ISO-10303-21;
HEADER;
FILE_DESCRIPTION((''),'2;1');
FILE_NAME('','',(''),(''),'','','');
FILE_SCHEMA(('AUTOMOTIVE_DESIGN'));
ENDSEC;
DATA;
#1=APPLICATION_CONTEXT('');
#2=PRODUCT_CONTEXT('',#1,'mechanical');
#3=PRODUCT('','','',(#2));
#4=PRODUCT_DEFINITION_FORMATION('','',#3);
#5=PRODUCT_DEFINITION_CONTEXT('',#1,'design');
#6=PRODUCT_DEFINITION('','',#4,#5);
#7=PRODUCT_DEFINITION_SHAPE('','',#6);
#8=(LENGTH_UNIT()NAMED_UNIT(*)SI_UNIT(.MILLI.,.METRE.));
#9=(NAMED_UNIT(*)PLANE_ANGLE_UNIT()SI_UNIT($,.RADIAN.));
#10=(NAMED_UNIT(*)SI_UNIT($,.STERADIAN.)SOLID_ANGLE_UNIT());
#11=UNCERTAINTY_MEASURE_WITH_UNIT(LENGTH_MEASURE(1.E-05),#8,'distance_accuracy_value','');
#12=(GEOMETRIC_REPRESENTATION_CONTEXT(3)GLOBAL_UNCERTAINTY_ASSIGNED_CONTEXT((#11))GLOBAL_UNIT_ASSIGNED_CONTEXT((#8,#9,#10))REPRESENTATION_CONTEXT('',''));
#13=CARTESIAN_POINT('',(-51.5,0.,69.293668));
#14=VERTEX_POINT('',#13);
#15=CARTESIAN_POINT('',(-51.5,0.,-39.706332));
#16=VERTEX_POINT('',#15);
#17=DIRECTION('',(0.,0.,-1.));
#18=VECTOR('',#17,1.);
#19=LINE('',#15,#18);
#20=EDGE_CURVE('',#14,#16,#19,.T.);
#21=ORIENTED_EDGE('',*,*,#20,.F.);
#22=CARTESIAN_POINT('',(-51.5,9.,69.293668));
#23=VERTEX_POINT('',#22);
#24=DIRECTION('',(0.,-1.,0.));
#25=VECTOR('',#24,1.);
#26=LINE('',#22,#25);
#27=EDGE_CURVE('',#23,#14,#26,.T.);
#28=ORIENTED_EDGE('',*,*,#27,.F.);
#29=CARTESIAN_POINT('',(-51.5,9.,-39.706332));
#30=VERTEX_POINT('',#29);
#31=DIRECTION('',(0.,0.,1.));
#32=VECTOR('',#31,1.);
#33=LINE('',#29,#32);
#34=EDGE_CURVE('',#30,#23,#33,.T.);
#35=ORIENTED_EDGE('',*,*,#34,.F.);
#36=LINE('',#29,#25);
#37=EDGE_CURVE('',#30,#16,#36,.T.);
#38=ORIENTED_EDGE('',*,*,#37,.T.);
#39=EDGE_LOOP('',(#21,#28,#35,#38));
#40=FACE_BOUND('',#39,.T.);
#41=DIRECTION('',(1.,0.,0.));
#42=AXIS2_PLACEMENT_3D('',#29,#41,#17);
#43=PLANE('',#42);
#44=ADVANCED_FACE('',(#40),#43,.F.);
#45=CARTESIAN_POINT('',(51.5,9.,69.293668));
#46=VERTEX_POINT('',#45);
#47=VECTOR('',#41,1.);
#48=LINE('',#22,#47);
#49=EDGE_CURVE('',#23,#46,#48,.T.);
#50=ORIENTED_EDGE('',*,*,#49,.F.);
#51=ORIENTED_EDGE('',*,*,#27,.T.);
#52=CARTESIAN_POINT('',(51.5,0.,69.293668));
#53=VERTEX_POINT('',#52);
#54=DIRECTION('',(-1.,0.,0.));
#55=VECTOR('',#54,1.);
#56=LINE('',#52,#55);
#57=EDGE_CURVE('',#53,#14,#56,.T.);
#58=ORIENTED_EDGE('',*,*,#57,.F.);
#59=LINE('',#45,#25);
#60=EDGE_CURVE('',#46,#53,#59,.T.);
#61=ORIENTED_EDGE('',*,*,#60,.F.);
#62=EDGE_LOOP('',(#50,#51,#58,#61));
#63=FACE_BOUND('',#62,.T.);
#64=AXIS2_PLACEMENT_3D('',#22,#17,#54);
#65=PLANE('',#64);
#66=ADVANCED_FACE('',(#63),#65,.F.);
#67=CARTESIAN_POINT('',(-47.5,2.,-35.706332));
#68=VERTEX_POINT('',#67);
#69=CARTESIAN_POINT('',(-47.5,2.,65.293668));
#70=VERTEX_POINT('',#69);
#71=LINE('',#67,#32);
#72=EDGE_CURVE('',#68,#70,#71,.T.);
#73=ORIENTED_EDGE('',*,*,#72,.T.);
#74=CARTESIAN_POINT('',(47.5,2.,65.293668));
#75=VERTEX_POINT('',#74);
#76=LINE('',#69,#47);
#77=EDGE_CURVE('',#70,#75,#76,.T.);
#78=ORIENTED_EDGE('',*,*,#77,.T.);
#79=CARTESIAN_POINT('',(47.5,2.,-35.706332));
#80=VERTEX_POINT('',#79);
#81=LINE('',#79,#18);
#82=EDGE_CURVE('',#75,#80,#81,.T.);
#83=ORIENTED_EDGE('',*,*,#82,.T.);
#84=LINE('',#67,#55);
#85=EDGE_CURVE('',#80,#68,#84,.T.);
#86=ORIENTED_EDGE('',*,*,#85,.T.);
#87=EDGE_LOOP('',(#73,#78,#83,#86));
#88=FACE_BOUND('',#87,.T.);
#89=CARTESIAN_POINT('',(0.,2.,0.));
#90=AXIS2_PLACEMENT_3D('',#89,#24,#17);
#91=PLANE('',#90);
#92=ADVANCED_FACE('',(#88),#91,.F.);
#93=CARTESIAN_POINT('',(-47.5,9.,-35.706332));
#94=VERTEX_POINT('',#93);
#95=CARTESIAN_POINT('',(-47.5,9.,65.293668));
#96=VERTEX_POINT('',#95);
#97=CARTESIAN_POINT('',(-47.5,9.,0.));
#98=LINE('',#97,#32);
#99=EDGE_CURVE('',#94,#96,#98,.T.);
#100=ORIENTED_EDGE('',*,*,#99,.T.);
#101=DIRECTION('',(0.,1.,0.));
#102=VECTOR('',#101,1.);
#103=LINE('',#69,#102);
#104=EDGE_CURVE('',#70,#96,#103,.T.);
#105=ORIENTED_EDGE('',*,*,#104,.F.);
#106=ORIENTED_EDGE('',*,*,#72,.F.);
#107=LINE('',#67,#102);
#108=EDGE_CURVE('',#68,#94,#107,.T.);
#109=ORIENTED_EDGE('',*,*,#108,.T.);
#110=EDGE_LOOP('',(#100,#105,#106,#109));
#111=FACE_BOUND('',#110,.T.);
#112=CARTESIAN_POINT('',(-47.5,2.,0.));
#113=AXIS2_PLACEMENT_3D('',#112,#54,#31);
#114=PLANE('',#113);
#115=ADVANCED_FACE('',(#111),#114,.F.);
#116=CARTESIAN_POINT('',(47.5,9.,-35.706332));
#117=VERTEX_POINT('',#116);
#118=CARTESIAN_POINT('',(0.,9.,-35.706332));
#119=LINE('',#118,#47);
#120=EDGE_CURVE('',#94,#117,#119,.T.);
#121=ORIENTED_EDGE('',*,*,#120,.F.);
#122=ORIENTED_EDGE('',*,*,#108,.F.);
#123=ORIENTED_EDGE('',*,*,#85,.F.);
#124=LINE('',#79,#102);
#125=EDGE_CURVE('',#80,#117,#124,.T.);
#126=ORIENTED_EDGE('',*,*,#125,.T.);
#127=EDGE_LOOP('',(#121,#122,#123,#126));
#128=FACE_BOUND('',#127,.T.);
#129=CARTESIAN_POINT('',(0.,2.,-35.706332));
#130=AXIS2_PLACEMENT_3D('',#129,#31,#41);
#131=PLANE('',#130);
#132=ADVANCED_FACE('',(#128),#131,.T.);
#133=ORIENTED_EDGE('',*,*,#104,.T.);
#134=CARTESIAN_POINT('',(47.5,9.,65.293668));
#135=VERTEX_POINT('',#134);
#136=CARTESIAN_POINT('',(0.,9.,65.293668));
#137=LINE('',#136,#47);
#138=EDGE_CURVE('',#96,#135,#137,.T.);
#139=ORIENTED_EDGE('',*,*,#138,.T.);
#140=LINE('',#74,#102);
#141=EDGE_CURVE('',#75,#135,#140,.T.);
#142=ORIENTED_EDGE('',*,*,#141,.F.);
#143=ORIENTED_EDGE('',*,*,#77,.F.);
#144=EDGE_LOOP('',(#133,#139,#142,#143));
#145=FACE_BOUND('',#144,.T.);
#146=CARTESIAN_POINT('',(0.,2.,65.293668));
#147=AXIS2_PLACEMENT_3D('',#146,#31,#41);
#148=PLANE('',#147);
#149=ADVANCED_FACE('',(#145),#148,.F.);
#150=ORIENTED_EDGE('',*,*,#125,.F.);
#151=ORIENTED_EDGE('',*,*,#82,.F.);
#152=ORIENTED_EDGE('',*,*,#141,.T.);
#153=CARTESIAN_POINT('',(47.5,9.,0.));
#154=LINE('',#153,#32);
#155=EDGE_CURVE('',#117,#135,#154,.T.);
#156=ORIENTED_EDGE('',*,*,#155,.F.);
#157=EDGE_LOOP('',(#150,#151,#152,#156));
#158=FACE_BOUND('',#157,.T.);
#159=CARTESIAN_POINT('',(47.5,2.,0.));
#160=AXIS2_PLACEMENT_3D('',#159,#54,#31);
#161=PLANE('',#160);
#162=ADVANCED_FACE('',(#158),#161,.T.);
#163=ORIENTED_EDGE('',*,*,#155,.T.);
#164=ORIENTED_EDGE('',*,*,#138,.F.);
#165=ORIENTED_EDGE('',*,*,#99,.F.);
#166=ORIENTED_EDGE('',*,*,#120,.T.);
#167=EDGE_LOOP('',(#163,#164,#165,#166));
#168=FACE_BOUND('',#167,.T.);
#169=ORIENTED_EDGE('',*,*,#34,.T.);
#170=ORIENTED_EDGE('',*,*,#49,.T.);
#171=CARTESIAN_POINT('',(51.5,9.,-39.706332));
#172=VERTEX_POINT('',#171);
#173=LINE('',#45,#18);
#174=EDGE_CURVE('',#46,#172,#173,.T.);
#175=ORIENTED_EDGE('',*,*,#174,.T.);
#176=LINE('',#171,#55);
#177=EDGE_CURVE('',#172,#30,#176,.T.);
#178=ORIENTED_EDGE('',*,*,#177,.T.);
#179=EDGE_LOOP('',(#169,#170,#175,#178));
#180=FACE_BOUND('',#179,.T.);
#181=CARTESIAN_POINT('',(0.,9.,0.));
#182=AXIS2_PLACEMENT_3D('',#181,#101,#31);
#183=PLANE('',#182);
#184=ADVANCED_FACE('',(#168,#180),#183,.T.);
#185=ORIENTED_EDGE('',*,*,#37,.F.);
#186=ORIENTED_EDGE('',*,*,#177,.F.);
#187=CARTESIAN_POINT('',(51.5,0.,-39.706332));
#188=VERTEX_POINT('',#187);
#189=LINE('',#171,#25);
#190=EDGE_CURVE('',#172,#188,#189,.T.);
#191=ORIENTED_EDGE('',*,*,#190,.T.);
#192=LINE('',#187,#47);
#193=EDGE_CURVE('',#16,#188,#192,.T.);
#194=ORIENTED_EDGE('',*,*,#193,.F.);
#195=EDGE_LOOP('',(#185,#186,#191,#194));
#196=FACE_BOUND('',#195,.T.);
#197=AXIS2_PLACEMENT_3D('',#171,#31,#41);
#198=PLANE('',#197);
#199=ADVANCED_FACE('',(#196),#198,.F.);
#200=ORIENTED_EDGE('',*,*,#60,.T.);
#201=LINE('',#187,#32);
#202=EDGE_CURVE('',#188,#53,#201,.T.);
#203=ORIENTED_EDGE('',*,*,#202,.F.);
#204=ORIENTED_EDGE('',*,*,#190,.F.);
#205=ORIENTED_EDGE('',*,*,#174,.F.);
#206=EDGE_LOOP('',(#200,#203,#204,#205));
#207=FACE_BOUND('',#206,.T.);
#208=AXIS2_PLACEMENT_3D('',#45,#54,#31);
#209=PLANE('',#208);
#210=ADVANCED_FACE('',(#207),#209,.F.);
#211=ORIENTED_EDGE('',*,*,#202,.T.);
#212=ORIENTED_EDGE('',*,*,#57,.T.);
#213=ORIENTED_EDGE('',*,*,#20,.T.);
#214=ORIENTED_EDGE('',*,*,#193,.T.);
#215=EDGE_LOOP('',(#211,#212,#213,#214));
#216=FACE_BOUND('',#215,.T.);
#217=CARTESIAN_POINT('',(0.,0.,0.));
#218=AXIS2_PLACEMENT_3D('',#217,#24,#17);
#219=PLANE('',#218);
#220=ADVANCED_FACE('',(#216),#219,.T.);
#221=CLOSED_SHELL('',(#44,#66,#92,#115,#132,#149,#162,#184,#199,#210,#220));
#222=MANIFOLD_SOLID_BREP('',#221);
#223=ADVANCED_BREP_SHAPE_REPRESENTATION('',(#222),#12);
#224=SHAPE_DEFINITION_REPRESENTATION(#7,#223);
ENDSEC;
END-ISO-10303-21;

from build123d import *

# Parameters (mm, degrees)
SKETCH1_W           = 95
SKETCH1_H           = 101
BOSS_EXTRUDE1_DEPTH = 2
SKETCH2_W           = 103
SKETCH2_H           = 109
BOSS_EXTRUDE2_DEPTH = 7
CUT_EXTRUDE1_DEPTH  = 7
SKETCH4_W           = 103
SKETCH4_H           = 109
BOSS_EXTRUDE9_DEPTH = 2


with BuildPart() as part:
    # Sketch1 → Boss-Extrude1 (new body)
    with BuildSketch(Plane(origin=(0, 0, 0), x_dir=(1, 0, 0), z_dir=(0, 1, 0))):
        with Locations((0, -14.793667886)):
            Rectangle(SKETCH1_W, SKETCH1_H)
    extrude(amount=BOSS_EXTRUDE1_DEPTH)

    # Sketch2 → Boss-Extrude2 (add)
    with BuildSketch(Plane(origin=(0, 2, 0), x_dir=(1, 0, 0), z_dir=(0, 1, 0))):
        with Locations((0, -14.793667886)):
            Rectangle(SKETCH2_W, SKETCH2_H)
    extrude(amount=BOSS_EXTRUDE2_DEPTH)

    # Sketch3 → Cut-Extrude1 (cut)
    with BuildSketch(Plane(origin=(0, 9, 0), x_dir=(1, 0, 0), z_dir=(0, 1, 0))):
        Polygon((47.5, -65.060658177), (-47.5, 35.473322405), (-47.5, -65.293667886), (47.5, -65.293667886), align=None)
        Polygon((-47.5, 35.706332114), (-47.5, 35.473322405), (47.5, -65.060658177), (47.5, 35.706332114), align=None)
    extrude(amount=-CUT_EXTRUDE1_DEPTH, mode=Mode.SUBTRACT)

    # Sketch4 → Boss-Extrude9 (add, through all)
    with BuildSketch(Plane.XZ.offset(-2)):
        with Locations((0, 14.793667886)):
            Rectangle(SKETCH4_W, SKETCH4_H)
    extrude(amount=BOSS_EXTRUDE9_DEPTH)


solid = part.part
